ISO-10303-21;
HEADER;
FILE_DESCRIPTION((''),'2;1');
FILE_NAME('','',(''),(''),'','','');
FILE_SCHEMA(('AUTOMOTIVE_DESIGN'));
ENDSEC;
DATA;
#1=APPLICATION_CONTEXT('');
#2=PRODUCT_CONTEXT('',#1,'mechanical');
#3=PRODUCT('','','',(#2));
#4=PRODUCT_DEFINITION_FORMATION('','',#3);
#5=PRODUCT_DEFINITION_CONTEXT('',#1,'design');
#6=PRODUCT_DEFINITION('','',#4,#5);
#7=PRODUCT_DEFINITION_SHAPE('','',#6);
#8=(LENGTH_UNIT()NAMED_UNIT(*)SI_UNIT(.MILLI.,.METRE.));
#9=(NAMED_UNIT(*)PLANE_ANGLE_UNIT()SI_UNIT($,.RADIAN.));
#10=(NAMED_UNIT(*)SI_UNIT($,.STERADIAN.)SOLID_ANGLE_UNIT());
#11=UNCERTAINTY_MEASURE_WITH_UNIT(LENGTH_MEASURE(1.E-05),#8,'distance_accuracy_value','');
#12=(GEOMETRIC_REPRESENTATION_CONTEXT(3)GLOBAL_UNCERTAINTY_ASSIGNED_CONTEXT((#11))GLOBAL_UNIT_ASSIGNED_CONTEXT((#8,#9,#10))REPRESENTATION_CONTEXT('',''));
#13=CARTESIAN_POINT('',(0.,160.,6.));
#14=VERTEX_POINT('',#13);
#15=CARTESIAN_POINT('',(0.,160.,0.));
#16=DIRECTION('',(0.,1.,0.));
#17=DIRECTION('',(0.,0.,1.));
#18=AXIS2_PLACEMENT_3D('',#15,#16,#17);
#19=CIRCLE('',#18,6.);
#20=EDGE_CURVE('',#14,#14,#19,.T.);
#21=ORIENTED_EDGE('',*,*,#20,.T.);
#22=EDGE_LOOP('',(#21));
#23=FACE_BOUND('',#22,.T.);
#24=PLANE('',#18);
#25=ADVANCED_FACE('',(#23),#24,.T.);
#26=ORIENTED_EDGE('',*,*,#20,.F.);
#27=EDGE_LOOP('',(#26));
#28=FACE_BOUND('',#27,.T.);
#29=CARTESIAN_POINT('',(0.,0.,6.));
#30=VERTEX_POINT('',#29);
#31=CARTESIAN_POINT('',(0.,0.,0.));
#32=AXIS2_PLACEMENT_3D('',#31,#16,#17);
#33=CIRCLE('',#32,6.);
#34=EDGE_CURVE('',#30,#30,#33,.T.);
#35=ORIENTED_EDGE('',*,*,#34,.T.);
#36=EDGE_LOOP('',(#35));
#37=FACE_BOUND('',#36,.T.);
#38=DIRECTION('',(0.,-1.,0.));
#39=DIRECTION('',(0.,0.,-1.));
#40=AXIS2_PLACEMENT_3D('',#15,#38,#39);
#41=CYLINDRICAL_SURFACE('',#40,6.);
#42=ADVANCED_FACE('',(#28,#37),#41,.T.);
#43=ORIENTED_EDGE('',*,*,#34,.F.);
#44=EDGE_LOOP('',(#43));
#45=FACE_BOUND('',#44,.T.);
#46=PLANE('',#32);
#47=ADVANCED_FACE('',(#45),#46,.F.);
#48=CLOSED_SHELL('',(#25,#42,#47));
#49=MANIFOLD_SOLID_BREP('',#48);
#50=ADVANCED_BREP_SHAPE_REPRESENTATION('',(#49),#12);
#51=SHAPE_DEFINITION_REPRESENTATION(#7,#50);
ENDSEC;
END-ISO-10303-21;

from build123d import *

# Parameters (mm, degrees)
SKETCH1_R           = 6
BOSS_EXTRUDE1_DEPTH = 160


with BuildPart() as part:
    # Sketch1 → Boss-Extrude1 (new body)
    with BuildSketch(Plane(origin=(0, 0, 0), x_dir=(1, 0, 0), z_dir=(0, 1, 0))):
        Circle(SKETCH1_R)
    extrude(amount=BOSS_EXTRUDE1_DEPTH)


solid = part.part
